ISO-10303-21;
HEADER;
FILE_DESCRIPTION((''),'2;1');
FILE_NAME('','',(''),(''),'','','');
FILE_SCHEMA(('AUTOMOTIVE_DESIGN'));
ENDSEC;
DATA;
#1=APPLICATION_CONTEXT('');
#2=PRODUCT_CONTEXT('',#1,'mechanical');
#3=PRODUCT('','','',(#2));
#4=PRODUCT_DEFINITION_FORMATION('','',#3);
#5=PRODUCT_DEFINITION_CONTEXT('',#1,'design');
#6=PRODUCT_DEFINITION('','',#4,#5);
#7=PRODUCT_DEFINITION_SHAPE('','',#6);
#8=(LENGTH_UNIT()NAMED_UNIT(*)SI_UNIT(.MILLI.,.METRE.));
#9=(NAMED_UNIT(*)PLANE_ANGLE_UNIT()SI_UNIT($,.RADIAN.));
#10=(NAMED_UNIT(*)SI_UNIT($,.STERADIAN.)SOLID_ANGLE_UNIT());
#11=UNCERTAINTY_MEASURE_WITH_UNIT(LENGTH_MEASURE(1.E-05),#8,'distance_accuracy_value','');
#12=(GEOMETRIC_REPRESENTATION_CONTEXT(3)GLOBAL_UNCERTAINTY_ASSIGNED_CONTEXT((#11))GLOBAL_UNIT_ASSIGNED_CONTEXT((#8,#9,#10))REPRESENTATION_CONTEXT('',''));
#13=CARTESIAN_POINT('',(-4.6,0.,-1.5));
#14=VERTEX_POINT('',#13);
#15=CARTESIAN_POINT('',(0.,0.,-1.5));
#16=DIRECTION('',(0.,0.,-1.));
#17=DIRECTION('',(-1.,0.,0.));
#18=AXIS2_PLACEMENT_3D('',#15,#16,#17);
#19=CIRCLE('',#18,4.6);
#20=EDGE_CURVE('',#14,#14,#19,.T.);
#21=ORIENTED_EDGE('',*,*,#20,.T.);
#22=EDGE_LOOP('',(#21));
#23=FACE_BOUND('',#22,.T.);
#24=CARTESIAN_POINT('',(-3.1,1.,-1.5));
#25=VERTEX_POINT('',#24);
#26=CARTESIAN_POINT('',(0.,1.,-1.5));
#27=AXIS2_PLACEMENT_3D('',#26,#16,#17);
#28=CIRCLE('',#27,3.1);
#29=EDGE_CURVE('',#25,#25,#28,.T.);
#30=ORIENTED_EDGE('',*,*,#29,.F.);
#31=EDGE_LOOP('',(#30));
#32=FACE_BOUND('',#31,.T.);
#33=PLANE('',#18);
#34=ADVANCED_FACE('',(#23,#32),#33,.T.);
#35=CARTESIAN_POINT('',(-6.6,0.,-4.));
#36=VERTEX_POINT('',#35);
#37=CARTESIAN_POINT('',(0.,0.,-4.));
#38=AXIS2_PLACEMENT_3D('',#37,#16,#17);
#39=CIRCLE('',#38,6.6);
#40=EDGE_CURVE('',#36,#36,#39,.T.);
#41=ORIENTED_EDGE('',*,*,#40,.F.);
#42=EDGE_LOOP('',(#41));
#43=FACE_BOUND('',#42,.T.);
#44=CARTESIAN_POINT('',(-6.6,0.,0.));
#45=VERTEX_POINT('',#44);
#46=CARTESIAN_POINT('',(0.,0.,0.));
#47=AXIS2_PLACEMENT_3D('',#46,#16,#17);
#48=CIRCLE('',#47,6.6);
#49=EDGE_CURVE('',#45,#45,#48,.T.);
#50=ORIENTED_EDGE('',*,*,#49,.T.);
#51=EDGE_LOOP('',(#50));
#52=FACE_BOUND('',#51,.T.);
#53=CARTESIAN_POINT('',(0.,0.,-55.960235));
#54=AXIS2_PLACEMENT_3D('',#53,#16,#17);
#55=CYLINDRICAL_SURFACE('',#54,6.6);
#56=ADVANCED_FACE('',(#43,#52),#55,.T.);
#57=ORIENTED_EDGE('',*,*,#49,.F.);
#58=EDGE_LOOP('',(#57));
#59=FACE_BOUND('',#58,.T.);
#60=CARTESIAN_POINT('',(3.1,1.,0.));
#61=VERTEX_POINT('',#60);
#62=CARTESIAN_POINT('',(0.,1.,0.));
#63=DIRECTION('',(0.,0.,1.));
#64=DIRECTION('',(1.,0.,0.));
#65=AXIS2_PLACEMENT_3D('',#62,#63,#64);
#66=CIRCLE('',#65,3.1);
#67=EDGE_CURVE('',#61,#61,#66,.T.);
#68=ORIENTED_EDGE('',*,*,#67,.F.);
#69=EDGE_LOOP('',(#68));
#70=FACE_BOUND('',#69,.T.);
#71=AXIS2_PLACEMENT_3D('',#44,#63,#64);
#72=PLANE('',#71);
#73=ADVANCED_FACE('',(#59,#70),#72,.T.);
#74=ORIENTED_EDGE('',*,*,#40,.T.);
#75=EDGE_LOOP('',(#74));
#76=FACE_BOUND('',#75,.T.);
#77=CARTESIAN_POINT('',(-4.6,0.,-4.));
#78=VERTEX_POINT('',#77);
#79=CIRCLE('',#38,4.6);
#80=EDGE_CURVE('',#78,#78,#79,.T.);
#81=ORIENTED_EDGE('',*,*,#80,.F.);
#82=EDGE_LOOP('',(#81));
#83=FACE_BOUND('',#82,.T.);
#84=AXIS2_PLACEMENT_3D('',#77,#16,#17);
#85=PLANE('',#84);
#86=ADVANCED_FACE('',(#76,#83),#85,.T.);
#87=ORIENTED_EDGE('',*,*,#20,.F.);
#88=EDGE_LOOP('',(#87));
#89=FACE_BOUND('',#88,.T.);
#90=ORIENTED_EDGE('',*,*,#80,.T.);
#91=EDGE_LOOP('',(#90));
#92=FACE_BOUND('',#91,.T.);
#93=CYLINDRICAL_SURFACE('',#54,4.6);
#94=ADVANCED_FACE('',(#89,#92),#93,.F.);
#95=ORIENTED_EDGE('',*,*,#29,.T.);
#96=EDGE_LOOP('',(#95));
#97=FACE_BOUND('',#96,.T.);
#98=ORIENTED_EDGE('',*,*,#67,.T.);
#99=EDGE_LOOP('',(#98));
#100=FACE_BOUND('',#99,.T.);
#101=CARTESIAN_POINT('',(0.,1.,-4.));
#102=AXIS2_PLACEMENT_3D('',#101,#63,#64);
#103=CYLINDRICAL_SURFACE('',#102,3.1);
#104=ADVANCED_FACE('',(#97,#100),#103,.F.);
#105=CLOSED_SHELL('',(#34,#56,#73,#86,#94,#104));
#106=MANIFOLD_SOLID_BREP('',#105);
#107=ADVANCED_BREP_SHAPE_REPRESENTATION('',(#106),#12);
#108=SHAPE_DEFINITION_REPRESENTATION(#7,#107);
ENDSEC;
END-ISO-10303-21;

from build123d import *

# Parameters (mm, degrees)
SKETCH3_R          = 3.1
CUT_EXTRUDE1_DEPTH = 11.15480182


with BuildPart() as part:
    # Sketch2 → Revolve1 (revolve)
    with BuildSketch(Plane(origin=(0, 0, 0), x_dir=(1, 0, 0), z_dir=(0, 1, 0))):
        Polygon((-6.6, 4), (-6.6, 0), (0, 0), (0, 1.5), (-4.6, 1.5), (-4.6, 4), align=None)
    revolve(axis=Axis((0, 0, -55.960235465), (0, 0, 1)))

    # Sketch3 → Cut-Extrude1 (cut, through all)
    with BuildSketch(Plane.XY):
        with Locations((0, 1)):
            Circle(SKETCH3_R)
    extrude(amount=-CUT_EXTRUDE1_DEPTH, mode=Mode.SUBTRACT)


solid = part.part
